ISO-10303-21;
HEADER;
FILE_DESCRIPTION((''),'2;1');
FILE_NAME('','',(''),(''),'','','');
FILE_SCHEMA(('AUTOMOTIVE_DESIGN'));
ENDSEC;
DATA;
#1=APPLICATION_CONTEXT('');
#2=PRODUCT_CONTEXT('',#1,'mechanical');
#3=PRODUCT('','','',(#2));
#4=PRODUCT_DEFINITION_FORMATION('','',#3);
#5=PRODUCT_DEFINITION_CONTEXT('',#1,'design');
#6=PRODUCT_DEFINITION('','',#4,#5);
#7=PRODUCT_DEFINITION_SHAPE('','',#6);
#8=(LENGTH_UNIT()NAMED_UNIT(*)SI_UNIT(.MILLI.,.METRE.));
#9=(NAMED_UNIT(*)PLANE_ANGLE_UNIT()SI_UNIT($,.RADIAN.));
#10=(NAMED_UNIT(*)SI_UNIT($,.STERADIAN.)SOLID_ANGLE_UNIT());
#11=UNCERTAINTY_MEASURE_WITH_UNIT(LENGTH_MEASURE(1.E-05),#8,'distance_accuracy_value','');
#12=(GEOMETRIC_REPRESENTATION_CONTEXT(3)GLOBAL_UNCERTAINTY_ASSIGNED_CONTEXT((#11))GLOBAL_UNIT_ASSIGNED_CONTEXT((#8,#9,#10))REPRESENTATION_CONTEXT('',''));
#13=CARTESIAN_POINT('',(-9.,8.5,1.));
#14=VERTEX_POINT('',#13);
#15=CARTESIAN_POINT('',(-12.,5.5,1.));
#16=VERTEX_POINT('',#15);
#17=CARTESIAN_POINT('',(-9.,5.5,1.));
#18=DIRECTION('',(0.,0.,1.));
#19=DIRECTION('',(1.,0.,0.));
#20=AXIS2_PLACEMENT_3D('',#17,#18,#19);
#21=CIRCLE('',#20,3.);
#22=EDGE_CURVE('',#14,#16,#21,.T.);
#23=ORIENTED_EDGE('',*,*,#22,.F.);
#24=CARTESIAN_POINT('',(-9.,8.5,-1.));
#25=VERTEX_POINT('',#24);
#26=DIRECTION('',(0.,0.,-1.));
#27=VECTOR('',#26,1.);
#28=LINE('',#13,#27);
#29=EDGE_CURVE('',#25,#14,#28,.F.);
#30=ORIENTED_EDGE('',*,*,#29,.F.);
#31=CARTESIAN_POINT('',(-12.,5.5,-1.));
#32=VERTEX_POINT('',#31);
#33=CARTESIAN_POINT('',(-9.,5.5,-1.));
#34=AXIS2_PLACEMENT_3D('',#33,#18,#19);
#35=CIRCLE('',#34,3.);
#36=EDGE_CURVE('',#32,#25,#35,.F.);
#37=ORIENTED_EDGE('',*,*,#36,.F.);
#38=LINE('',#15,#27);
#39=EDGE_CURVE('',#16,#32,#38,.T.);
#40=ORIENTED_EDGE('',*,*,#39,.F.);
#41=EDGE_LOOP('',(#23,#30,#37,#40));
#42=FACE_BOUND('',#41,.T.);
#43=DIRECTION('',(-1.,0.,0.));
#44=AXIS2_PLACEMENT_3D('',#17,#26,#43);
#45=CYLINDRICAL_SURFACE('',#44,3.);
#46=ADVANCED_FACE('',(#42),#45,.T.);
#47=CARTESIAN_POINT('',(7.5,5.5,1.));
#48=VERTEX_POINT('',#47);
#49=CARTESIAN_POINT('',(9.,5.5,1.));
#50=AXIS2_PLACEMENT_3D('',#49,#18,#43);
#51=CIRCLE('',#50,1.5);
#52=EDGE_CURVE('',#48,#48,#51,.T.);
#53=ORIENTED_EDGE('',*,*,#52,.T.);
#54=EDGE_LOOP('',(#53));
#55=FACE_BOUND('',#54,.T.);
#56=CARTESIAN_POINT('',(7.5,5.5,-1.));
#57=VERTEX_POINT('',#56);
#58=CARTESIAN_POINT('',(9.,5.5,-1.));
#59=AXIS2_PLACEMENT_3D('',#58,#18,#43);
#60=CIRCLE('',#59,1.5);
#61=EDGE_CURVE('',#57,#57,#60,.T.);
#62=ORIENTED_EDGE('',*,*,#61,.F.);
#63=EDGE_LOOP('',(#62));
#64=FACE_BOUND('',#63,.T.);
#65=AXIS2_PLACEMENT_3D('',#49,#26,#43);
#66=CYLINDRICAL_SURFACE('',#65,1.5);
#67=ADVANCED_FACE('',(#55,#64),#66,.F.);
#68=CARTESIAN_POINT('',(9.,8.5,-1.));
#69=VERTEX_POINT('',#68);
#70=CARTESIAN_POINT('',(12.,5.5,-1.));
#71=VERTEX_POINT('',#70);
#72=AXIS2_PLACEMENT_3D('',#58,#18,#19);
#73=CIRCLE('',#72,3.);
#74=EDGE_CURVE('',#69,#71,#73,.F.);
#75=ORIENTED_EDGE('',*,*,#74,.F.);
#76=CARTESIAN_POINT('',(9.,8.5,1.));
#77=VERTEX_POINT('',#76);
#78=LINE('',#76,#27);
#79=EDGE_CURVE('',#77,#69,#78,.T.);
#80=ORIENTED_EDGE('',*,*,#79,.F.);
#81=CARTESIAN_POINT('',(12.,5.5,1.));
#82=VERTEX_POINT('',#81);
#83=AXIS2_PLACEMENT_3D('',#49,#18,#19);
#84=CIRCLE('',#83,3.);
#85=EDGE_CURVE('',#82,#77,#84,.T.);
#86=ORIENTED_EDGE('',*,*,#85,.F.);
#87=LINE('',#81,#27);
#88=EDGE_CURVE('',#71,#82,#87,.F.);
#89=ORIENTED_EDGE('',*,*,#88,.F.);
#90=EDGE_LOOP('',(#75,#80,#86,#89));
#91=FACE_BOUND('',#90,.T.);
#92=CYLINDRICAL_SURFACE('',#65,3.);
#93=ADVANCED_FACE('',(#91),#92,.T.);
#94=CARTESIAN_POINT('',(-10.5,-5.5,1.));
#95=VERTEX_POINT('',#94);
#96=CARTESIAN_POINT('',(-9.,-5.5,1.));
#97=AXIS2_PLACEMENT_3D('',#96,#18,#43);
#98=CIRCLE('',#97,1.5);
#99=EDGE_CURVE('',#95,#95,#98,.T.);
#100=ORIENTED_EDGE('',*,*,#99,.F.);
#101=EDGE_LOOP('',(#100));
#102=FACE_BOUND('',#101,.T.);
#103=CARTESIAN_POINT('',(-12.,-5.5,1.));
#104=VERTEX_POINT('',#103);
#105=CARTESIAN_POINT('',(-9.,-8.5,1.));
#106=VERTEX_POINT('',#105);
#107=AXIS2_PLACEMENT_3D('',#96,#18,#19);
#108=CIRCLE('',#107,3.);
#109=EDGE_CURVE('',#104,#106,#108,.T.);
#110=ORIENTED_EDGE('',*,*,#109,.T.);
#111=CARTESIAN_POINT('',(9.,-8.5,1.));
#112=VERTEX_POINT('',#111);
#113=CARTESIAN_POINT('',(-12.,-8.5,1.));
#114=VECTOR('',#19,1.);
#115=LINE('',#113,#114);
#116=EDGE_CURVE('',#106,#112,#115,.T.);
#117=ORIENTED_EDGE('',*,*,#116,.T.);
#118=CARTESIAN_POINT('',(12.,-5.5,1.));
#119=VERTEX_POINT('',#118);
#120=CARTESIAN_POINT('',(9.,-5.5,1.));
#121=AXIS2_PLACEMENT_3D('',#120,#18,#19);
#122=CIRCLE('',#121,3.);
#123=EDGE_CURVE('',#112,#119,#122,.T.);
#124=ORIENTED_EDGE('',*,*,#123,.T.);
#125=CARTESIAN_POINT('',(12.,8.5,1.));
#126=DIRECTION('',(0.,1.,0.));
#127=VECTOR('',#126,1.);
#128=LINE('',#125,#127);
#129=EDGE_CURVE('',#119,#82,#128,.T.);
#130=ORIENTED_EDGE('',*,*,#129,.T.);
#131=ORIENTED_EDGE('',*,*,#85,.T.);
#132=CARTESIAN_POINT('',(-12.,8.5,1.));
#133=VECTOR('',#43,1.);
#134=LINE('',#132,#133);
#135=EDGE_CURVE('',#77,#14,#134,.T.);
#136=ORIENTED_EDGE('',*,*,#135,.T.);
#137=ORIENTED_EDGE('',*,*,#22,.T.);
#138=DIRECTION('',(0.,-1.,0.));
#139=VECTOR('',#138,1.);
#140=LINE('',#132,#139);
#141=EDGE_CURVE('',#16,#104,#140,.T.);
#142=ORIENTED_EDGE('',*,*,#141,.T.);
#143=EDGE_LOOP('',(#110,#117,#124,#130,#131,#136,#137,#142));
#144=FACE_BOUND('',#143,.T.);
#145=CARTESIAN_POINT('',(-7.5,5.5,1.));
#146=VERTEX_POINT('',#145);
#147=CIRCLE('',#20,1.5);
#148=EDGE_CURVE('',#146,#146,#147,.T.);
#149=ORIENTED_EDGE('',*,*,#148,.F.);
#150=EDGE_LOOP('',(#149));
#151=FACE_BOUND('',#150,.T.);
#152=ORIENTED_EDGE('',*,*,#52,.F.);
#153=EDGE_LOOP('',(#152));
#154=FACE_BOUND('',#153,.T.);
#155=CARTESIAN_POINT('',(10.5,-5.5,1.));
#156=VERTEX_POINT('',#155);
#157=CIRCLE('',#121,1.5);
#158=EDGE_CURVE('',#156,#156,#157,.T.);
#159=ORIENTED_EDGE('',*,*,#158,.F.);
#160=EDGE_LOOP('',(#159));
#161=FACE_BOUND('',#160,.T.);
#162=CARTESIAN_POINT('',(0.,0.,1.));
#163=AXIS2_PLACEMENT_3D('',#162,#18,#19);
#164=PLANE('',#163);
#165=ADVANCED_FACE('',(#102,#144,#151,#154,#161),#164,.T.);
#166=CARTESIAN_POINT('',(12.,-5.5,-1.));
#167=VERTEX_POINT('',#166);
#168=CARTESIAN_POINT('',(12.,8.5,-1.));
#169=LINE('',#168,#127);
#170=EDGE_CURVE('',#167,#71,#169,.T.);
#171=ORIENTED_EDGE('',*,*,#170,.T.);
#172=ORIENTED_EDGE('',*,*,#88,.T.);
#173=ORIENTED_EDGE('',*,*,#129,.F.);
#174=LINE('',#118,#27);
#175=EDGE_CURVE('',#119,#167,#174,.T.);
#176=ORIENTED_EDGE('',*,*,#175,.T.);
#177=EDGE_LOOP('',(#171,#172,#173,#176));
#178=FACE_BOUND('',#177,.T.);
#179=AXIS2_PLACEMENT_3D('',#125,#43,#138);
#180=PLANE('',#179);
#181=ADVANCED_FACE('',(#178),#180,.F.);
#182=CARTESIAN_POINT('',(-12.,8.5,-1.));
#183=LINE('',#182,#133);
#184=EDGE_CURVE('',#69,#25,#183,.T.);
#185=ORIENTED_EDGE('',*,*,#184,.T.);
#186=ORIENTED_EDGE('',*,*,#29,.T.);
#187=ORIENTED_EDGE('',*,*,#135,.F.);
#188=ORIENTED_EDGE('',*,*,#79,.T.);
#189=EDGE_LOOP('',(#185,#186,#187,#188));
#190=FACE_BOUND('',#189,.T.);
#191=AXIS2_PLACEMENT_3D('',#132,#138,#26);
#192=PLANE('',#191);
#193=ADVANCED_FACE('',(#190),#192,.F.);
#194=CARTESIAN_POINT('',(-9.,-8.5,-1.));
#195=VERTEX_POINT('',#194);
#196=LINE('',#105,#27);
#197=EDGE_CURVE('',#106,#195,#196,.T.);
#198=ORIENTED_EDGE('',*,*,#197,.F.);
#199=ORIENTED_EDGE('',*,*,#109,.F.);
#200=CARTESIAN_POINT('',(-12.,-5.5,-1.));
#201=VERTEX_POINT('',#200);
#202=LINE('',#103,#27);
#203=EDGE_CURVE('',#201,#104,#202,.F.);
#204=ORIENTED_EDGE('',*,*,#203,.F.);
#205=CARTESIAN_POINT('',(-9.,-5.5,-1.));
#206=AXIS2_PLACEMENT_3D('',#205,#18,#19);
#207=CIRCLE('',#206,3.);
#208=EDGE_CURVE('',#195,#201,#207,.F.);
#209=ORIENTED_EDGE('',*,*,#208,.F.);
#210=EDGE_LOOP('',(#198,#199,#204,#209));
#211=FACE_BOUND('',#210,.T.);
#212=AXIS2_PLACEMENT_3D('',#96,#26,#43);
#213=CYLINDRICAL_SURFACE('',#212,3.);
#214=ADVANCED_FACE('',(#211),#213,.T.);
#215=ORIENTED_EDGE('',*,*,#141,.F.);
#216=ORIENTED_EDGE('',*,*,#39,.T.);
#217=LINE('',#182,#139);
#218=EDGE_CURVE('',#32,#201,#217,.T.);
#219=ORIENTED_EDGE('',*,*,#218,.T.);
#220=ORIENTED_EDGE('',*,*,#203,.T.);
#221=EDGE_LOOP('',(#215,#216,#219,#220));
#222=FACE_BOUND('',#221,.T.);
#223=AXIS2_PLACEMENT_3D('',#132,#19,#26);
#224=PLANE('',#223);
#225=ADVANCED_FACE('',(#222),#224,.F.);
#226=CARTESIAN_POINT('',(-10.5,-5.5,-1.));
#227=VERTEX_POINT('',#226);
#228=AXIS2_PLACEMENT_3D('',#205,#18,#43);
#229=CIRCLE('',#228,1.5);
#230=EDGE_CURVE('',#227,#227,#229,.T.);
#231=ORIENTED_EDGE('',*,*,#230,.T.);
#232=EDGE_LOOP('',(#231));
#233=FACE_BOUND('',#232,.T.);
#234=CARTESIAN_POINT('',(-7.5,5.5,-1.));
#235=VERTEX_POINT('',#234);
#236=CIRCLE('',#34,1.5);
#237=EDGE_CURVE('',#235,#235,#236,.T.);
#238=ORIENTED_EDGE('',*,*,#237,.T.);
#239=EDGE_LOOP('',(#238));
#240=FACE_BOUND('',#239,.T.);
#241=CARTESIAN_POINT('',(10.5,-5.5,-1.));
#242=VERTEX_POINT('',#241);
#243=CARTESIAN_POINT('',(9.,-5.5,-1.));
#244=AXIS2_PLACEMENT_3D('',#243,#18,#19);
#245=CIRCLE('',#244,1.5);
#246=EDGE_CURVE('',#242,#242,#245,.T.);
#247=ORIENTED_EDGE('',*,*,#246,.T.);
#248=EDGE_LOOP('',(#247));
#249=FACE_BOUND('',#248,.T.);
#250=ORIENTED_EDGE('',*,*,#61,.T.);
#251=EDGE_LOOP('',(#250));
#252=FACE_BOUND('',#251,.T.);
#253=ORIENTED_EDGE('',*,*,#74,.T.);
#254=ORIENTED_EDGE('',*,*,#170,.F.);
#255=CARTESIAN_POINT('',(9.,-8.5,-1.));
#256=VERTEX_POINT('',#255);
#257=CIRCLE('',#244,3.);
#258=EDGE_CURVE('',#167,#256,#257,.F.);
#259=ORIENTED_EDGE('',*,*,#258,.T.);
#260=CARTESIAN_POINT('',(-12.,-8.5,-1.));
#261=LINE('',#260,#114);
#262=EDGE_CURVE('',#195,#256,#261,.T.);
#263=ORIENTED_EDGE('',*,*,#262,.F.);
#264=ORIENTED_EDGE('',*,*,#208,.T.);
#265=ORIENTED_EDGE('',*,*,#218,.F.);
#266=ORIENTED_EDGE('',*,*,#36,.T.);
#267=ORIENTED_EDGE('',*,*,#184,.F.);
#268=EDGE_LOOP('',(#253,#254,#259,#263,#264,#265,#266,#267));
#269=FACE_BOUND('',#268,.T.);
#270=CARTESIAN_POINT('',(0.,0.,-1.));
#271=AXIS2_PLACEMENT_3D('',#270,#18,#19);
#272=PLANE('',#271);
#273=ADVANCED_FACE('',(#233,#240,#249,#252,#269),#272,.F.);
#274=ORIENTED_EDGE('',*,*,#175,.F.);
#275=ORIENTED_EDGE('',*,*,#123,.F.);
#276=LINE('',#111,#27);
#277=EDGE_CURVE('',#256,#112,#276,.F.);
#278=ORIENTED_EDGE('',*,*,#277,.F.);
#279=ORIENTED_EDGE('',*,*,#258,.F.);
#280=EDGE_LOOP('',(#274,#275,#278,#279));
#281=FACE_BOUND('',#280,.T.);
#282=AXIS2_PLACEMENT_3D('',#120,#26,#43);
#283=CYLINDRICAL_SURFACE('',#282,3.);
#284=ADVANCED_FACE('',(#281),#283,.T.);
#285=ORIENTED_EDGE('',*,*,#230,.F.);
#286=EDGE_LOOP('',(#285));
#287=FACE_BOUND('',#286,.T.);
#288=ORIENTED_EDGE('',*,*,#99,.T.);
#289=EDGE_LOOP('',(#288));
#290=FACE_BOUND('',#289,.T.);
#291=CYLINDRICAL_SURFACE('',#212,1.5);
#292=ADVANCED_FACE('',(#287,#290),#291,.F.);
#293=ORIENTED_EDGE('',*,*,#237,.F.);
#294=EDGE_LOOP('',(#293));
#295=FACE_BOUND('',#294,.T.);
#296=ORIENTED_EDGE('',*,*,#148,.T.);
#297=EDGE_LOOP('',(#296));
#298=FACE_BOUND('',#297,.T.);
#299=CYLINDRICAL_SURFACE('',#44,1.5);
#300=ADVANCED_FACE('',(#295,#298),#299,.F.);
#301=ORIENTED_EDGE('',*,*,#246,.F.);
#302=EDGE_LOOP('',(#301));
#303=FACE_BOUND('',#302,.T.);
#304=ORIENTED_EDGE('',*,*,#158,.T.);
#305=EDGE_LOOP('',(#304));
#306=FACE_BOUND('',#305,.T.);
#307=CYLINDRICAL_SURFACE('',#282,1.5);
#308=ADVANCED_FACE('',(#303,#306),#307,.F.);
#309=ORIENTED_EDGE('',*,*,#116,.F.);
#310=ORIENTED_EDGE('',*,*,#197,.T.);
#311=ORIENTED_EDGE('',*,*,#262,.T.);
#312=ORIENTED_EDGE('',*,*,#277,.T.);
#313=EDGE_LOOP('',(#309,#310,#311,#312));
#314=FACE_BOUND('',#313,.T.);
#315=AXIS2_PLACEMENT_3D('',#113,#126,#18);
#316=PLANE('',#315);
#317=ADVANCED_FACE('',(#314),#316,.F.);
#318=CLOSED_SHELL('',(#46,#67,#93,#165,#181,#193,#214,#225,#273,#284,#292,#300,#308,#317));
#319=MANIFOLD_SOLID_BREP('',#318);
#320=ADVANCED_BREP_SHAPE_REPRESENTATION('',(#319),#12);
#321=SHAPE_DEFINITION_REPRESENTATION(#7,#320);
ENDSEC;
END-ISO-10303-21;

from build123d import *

# Parameters (mm, degrees)
ESBO_O1_W                = 24
ESBO_O1_H                = 17
ESBO_O1_R                = 1.5
RESSALTO_EXTRUS_O1_DEPTH = 1
FILETE1_R                = 3


with BuildPart() as part:
    # Esboço1 → Ressalto-extrusão1 (new, symmetric)
    with BuildSketch(Plane.XY):
        Rectangle(ESBO_O1_W, ESBO_O1_H)
        with Locations((-9, 5.5)):
            Circle(ESBO_O1_R, mode=Mode.SUBTRACT)
        with Locations(Location((9, 5.5, 0), (0, 0, 180))):
            Circle(ESBO_O1_R, mode=Mode.SUBTRACT)
        with Locations((9, -5.5)):
            Circle(ESBO_O1_R, mode=Mode.SUBTRACT)
        with Locations(Location((-9, -5.5, 0), (0, 0, 180))):
            Circle(ESBO_O1_R, mode=Mode.SUBTRACT)
    extrude(amount=RESSALTO_EXTRUS_O1_DEPTH, both=True)

    # Filete1
    filete1_edges = [part.edges().sort_by_distance(p)[0] for p in [
        (12, -8.5, 0),
        (-12, -8.5, 0),
        (-12, 8.5, 0),
        (12, 8.5, 0),
    ]]
    fillet(filete1_edges, radius=FILETE1_R)


solid = part.part
